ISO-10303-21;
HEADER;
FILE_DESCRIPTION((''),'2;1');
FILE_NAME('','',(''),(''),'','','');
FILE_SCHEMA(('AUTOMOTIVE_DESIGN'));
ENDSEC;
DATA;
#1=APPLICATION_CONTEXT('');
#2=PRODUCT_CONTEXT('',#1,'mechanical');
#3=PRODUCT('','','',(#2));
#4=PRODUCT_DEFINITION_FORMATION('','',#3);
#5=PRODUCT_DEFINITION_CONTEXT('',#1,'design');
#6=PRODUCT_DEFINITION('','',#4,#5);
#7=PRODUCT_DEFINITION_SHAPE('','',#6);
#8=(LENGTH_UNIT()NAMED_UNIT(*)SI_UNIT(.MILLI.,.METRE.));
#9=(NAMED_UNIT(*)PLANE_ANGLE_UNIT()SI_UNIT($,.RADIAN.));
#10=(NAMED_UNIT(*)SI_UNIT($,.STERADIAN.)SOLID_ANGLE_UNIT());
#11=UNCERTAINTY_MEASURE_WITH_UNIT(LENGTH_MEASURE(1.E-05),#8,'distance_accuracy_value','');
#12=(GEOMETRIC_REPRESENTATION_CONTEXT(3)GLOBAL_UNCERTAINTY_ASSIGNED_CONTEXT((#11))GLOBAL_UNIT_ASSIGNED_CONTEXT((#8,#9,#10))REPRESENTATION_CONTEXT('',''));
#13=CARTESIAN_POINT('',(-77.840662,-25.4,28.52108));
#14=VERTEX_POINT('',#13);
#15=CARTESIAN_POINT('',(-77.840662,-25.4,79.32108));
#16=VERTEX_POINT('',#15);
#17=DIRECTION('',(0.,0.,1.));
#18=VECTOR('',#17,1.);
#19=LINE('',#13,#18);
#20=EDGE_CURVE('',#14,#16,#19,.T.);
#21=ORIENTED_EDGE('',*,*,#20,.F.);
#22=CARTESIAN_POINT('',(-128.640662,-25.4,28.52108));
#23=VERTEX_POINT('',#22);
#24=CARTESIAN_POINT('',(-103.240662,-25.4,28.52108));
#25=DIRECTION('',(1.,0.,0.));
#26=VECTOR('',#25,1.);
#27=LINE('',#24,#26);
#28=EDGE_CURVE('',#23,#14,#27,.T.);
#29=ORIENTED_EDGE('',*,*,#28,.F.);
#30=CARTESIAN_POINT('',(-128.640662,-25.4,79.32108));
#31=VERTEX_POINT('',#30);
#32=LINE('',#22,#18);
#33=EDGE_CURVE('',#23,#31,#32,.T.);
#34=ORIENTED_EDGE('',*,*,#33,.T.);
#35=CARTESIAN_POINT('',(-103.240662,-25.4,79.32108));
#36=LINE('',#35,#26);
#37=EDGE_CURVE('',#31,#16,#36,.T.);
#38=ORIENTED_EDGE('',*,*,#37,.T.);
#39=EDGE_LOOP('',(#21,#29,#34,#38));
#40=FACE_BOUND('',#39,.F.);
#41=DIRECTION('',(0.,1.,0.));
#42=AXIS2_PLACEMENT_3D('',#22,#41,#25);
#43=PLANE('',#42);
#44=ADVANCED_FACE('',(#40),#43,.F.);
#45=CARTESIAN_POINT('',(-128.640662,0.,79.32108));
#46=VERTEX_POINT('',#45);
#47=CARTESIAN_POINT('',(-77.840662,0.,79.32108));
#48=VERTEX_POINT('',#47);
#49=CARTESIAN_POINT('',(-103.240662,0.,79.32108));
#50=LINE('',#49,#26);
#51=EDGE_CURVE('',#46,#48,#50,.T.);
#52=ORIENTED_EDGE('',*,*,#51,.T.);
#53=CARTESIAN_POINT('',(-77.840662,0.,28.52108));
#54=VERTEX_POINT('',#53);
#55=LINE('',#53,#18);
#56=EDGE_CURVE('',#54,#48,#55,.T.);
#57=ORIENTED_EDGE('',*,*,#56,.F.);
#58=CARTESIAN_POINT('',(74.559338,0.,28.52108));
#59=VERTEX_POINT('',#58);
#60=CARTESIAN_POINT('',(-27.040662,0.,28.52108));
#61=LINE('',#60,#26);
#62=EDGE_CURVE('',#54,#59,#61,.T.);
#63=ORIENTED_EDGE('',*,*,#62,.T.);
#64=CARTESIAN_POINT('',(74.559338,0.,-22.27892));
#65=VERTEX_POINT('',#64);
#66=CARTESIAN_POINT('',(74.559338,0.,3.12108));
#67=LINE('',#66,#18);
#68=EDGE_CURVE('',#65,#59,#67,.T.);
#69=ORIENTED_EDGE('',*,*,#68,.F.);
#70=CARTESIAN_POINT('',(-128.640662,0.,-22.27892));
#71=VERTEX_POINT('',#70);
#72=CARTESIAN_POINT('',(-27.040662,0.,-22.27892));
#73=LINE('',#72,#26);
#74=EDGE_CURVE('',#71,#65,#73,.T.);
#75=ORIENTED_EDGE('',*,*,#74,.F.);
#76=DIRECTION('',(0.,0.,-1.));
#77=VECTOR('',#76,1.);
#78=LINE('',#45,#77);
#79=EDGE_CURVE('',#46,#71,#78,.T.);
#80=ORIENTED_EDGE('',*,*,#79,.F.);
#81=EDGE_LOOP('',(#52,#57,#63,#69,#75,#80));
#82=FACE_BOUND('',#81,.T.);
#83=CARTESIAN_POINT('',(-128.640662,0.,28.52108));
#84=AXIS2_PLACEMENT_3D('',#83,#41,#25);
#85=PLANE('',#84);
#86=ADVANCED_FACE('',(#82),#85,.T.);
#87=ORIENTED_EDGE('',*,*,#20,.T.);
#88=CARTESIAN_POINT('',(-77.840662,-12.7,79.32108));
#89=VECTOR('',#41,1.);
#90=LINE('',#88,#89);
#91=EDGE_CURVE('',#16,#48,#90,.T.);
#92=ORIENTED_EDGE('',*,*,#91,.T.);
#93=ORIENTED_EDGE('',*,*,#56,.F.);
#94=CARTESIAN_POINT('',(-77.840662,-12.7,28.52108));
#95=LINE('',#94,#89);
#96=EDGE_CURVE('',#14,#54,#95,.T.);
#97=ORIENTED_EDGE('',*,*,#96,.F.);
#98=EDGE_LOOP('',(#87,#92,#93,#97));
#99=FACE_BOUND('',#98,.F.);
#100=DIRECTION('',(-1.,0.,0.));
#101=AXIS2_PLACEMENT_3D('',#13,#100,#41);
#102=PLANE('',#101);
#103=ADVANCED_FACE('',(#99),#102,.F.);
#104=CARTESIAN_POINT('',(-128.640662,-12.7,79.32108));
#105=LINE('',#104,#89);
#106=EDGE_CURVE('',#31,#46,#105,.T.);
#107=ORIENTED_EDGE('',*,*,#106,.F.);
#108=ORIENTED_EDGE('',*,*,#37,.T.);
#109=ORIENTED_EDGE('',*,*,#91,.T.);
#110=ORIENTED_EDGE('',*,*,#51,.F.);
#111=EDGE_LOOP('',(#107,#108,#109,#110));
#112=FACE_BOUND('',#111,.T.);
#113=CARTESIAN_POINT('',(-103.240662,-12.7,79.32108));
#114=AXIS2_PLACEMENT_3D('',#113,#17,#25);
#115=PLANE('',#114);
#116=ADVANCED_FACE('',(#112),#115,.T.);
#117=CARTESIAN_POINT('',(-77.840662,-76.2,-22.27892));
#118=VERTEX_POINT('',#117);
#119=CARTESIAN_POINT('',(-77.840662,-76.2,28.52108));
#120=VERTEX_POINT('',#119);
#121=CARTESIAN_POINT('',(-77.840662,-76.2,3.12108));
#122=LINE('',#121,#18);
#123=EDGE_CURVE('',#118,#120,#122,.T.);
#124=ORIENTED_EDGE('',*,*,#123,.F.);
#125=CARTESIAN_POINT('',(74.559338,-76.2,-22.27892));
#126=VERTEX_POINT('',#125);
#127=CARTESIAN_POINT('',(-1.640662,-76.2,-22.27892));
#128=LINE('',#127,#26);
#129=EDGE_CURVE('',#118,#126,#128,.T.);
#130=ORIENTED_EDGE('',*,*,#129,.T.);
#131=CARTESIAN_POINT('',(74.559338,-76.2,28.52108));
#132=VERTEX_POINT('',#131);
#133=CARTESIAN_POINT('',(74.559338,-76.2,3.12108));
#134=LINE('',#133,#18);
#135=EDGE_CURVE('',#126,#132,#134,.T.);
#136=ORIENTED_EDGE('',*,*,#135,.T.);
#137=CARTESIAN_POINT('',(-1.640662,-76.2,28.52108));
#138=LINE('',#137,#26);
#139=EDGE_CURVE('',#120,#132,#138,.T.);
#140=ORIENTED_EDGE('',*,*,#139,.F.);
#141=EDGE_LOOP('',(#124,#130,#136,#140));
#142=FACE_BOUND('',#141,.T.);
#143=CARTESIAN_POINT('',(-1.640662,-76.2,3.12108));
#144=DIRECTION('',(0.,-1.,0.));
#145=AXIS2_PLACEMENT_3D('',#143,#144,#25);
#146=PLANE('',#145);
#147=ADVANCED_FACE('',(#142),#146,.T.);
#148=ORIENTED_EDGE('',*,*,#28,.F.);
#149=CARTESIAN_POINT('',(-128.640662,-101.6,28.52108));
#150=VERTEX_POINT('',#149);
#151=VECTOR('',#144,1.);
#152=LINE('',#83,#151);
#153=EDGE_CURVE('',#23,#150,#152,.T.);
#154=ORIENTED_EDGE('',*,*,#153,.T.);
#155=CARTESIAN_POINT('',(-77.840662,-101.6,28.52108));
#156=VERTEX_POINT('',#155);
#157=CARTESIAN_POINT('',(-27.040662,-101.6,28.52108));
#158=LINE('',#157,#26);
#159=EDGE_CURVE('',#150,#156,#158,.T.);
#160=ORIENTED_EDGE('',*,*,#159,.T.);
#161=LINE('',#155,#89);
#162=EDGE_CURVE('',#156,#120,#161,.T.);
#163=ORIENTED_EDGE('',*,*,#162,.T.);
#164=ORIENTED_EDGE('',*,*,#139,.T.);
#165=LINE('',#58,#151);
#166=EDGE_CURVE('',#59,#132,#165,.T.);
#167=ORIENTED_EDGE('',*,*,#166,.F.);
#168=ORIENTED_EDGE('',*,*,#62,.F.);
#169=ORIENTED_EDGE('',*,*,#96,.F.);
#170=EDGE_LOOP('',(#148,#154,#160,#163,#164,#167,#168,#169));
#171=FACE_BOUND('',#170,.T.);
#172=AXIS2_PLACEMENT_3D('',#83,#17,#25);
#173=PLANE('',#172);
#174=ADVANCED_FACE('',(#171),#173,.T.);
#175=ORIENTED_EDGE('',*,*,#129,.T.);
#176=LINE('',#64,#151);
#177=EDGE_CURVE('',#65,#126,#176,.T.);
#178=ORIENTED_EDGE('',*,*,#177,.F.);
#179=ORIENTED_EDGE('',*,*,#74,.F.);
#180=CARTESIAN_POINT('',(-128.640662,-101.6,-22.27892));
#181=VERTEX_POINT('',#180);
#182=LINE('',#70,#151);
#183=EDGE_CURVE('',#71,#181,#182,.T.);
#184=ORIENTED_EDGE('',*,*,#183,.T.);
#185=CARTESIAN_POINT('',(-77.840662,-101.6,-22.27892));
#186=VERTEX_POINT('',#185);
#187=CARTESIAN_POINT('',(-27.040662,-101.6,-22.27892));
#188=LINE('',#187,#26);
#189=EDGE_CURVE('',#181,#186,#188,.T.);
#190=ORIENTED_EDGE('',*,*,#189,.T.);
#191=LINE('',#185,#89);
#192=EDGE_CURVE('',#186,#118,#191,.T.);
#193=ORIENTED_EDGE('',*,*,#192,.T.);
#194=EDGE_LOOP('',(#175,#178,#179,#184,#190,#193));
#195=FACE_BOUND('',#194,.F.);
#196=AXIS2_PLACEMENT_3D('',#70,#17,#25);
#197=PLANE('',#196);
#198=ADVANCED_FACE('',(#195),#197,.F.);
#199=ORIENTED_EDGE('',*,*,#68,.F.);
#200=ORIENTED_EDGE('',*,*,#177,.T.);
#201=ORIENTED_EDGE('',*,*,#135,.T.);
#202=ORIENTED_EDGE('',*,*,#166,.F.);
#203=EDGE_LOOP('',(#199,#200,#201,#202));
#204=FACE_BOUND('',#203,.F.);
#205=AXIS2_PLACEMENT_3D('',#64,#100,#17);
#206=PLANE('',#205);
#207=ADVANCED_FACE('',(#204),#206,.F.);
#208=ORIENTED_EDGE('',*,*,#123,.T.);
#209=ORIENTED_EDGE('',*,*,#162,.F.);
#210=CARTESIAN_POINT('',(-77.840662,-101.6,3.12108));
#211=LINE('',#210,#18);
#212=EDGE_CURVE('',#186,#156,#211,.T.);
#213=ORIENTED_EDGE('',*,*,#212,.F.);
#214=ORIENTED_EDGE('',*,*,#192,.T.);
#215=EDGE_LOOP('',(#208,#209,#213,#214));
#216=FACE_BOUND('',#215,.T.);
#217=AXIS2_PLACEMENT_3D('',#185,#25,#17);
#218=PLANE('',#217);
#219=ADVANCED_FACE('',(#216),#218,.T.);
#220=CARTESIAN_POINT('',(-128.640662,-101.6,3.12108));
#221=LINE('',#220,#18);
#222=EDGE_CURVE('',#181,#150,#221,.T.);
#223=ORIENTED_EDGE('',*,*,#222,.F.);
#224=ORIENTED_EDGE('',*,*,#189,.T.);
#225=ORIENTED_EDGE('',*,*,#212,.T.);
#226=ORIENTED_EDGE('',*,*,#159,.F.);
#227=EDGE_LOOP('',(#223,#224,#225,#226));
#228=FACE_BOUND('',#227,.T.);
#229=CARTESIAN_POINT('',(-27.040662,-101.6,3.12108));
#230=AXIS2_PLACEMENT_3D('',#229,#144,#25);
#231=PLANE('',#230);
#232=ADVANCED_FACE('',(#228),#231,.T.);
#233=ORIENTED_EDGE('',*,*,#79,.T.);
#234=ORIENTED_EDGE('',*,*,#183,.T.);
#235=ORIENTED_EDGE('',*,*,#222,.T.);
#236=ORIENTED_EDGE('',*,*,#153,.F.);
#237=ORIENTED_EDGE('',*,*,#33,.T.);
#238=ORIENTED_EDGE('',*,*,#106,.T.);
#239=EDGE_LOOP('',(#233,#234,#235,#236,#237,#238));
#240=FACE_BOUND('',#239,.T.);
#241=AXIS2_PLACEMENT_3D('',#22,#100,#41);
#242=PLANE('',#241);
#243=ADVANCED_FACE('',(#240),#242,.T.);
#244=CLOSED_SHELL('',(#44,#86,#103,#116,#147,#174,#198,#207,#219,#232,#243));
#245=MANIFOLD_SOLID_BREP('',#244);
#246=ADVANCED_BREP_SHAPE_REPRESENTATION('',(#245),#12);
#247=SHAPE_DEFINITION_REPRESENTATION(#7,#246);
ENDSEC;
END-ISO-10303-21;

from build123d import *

# Parameters (mm, degrees)
F0_W     = 203.2
F0_H     = 50.8
F1_DEPTH = 101.6
F2_W     = 152.4
F2_H     = 50.8
F3_DEPTH = 25.4
F4_W     = 50.8
F4_H     = 25.4
F5_DEPTH = 50.8


with BuildPart() as f1:
    # F0 (on Front) → F1 (new body)
    with BuildSketch(Plane.XZ):
        with Locations((-27.040662, 3.12108)):
            Rectangle(F0_W, F0_H)
    extrude(amount=F1_DEPTH)

    # F2 (on face) → F3 (cut)
    with BuildSketch(Plane.XZ.offset(101.6)):
        with Locations((-1.640662, 3.12108)):
            Rectangle(F2_W, F2_H)
    extrude(amount=-F3_DEPTH, mode=Mode.SUBTRACT)

    # F4 (on face) → F5 (join)
    with BuildSketch(Plane.XY.offset(28.52108)):
        with Locations((-103.240662, -12.7)):
            Rectangle(F4_W, F4_H)
    extrude(amount=F5_DEPTH)


solid = f1.part
